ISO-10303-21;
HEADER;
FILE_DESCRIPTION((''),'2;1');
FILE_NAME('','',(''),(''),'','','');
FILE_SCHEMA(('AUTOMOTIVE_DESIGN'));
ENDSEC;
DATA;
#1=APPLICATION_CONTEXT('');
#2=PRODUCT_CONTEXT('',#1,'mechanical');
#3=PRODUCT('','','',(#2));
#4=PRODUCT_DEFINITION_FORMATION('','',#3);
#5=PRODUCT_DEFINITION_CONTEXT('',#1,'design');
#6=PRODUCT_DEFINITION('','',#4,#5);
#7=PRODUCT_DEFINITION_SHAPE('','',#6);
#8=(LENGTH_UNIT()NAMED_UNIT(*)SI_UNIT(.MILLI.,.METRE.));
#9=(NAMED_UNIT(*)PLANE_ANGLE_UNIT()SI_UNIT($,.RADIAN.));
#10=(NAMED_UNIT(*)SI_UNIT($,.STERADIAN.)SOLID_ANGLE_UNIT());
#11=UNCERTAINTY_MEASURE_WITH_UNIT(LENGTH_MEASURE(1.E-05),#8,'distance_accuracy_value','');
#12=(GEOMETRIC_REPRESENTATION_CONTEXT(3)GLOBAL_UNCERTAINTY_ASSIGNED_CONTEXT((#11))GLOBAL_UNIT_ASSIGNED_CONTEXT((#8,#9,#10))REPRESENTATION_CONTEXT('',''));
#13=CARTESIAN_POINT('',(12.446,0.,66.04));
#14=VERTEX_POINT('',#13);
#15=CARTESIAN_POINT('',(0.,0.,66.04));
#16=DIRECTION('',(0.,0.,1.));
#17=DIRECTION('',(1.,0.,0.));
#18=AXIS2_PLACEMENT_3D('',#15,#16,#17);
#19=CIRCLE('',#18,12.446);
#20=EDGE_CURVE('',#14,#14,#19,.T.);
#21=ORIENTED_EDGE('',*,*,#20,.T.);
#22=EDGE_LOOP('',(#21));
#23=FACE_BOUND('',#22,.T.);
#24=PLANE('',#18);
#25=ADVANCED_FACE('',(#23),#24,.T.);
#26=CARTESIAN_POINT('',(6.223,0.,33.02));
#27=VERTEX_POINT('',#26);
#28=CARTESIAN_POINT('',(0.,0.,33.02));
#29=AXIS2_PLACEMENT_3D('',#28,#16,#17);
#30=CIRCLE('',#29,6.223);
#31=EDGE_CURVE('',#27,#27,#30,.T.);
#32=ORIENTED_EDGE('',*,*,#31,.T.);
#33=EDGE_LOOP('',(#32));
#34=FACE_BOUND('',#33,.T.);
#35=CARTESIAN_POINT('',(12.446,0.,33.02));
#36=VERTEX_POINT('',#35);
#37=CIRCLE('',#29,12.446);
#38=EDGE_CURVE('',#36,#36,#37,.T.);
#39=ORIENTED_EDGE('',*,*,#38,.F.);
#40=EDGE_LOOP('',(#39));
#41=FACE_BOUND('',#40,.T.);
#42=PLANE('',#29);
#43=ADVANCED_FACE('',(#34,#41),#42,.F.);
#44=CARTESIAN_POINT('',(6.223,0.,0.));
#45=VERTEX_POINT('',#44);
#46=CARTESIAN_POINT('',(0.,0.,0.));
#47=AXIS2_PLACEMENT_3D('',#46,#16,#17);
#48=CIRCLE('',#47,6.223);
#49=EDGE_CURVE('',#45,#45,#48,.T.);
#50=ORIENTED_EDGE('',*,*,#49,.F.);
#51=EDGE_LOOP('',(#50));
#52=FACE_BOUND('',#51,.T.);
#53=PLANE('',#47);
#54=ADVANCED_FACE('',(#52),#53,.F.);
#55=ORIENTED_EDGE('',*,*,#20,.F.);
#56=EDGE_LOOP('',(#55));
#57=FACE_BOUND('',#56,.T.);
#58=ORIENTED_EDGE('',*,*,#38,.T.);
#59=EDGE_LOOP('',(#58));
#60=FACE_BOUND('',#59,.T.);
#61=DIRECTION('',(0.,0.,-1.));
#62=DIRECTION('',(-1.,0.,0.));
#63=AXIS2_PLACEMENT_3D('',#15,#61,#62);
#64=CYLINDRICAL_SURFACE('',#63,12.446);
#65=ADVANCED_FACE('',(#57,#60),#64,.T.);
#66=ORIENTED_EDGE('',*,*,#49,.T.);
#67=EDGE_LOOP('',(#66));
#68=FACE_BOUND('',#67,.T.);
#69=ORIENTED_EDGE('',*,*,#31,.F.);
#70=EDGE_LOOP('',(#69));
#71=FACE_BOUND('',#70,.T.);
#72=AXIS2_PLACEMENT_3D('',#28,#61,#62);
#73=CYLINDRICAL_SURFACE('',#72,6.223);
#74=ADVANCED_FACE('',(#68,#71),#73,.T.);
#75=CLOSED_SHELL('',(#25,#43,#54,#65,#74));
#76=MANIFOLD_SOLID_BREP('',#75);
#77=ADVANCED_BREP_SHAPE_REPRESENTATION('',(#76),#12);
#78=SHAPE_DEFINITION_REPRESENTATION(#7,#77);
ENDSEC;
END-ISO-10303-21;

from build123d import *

# Parameters (mm, degrees)
SKETCH1_R           = 6.223
BOSS_EXTRUDE1_DEPTH = 33.02
SKETCH2_R           = 12.446
BOSS_EXTRUDE2_DEPTH = 33.02


with BuildPart() as part:
    # Sketch1 → Boss-Extrude1 (new body)
    with BuildSketch(Plane.XY):
        Circle(SKETCH1_R)
    extrude(amount=BOSS_EXTRUDE1_DEPTH)

    # Sketch2 → Boss-Extrude2 (add)
    with BuildSketch(Plane.XY.offset(33.02)):
        Circle(SKETCH2_R)
    extrude(amount=BOSS_EXTRUDE2_DEPTH)


solid = part.part
